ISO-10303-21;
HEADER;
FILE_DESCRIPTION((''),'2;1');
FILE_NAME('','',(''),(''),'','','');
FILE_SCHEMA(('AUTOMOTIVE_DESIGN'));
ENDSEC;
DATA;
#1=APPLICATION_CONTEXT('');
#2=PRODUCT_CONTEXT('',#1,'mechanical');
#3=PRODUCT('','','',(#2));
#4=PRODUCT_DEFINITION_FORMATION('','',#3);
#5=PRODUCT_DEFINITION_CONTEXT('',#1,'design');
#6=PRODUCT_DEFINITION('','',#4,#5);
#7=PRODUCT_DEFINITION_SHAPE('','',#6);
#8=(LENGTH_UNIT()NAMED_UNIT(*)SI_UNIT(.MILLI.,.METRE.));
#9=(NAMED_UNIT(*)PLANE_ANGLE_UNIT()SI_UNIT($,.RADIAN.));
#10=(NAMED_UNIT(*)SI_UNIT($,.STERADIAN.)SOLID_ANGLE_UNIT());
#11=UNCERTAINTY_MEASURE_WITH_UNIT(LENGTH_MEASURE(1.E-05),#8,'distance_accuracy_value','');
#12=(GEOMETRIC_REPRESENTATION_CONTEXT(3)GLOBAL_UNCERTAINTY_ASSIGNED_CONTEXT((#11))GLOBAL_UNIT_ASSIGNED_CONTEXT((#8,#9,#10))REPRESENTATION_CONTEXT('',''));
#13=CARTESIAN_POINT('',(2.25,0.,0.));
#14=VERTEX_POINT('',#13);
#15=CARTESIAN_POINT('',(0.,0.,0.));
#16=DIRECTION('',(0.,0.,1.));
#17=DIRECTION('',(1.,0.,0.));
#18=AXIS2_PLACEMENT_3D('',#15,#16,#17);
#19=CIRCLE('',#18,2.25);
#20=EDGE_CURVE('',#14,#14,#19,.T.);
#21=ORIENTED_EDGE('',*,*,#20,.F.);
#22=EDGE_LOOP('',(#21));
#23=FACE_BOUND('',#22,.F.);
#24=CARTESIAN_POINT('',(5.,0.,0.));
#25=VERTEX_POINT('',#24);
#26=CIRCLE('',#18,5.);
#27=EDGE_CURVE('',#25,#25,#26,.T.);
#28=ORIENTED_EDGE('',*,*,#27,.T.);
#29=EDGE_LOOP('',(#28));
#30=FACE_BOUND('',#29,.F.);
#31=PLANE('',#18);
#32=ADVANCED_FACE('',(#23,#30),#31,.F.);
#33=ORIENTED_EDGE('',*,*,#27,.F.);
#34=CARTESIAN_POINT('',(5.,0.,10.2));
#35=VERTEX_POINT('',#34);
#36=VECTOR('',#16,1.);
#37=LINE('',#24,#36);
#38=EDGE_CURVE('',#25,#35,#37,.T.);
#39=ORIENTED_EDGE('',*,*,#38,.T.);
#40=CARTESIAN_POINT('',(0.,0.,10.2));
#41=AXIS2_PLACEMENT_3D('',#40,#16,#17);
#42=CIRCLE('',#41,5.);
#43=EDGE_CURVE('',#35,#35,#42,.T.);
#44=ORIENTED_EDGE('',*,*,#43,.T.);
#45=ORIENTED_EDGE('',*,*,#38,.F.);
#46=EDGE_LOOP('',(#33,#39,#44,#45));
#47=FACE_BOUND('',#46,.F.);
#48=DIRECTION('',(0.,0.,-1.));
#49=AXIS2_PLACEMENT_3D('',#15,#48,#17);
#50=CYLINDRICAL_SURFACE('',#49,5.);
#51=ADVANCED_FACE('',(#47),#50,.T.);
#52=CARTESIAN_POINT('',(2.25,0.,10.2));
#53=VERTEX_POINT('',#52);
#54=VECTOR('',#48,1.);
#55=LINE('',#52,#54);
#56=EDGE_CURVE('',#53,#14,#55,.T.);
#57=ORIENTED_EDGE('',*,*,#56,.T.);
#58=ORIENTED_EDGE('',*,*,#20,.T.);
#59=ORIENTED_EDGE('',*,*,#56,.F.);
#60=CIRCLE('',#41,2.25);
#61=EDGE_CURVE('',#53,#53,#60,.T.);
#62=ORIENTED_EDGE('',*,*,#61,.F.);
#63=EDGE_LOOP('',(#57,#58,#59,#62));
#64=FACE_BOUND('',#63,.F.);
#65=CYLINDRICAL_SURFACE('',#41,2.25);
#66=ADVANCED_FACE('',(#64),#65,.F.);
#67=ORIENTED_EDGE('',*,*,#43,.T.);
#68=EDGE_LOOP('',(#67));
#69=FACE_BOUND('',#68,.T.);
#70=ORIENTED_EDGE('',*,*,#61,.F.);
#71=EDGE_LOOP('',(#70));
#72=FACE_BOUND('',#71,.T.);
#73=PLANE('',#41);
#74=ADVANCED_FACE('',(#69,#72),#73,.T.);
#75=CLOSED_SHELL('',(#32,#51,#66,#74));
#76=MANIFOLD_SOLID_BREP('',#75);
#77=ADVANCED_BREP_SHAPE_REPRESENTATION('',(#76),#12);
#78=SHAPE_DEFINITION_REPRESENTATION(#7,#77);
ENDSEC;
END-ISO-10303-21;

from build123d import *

# Parameters (mm, degrees)
SKETCH_R     = 5
PAD_DEPTH    = 10.2
SKETCH001_R  = 2.25
POCKET_DEPTH = 10.201


with BuildPart() as part:
    # Sketch → Pad (new body)
    with BuildSketch(Plane.XY):
        Circle(SKETCH_R)
    extrude(amount=PAD_DEPTH)

    # Sketch001 → Pocket (cut, through all)
    with BuildSketch(Plane.XY.offset(10.2)):
        Circle(SKETCH001_R)
    extrude(amount=-POCKET_DEPTH, mode=Mode.SUBTRACT)


solid = part.part
